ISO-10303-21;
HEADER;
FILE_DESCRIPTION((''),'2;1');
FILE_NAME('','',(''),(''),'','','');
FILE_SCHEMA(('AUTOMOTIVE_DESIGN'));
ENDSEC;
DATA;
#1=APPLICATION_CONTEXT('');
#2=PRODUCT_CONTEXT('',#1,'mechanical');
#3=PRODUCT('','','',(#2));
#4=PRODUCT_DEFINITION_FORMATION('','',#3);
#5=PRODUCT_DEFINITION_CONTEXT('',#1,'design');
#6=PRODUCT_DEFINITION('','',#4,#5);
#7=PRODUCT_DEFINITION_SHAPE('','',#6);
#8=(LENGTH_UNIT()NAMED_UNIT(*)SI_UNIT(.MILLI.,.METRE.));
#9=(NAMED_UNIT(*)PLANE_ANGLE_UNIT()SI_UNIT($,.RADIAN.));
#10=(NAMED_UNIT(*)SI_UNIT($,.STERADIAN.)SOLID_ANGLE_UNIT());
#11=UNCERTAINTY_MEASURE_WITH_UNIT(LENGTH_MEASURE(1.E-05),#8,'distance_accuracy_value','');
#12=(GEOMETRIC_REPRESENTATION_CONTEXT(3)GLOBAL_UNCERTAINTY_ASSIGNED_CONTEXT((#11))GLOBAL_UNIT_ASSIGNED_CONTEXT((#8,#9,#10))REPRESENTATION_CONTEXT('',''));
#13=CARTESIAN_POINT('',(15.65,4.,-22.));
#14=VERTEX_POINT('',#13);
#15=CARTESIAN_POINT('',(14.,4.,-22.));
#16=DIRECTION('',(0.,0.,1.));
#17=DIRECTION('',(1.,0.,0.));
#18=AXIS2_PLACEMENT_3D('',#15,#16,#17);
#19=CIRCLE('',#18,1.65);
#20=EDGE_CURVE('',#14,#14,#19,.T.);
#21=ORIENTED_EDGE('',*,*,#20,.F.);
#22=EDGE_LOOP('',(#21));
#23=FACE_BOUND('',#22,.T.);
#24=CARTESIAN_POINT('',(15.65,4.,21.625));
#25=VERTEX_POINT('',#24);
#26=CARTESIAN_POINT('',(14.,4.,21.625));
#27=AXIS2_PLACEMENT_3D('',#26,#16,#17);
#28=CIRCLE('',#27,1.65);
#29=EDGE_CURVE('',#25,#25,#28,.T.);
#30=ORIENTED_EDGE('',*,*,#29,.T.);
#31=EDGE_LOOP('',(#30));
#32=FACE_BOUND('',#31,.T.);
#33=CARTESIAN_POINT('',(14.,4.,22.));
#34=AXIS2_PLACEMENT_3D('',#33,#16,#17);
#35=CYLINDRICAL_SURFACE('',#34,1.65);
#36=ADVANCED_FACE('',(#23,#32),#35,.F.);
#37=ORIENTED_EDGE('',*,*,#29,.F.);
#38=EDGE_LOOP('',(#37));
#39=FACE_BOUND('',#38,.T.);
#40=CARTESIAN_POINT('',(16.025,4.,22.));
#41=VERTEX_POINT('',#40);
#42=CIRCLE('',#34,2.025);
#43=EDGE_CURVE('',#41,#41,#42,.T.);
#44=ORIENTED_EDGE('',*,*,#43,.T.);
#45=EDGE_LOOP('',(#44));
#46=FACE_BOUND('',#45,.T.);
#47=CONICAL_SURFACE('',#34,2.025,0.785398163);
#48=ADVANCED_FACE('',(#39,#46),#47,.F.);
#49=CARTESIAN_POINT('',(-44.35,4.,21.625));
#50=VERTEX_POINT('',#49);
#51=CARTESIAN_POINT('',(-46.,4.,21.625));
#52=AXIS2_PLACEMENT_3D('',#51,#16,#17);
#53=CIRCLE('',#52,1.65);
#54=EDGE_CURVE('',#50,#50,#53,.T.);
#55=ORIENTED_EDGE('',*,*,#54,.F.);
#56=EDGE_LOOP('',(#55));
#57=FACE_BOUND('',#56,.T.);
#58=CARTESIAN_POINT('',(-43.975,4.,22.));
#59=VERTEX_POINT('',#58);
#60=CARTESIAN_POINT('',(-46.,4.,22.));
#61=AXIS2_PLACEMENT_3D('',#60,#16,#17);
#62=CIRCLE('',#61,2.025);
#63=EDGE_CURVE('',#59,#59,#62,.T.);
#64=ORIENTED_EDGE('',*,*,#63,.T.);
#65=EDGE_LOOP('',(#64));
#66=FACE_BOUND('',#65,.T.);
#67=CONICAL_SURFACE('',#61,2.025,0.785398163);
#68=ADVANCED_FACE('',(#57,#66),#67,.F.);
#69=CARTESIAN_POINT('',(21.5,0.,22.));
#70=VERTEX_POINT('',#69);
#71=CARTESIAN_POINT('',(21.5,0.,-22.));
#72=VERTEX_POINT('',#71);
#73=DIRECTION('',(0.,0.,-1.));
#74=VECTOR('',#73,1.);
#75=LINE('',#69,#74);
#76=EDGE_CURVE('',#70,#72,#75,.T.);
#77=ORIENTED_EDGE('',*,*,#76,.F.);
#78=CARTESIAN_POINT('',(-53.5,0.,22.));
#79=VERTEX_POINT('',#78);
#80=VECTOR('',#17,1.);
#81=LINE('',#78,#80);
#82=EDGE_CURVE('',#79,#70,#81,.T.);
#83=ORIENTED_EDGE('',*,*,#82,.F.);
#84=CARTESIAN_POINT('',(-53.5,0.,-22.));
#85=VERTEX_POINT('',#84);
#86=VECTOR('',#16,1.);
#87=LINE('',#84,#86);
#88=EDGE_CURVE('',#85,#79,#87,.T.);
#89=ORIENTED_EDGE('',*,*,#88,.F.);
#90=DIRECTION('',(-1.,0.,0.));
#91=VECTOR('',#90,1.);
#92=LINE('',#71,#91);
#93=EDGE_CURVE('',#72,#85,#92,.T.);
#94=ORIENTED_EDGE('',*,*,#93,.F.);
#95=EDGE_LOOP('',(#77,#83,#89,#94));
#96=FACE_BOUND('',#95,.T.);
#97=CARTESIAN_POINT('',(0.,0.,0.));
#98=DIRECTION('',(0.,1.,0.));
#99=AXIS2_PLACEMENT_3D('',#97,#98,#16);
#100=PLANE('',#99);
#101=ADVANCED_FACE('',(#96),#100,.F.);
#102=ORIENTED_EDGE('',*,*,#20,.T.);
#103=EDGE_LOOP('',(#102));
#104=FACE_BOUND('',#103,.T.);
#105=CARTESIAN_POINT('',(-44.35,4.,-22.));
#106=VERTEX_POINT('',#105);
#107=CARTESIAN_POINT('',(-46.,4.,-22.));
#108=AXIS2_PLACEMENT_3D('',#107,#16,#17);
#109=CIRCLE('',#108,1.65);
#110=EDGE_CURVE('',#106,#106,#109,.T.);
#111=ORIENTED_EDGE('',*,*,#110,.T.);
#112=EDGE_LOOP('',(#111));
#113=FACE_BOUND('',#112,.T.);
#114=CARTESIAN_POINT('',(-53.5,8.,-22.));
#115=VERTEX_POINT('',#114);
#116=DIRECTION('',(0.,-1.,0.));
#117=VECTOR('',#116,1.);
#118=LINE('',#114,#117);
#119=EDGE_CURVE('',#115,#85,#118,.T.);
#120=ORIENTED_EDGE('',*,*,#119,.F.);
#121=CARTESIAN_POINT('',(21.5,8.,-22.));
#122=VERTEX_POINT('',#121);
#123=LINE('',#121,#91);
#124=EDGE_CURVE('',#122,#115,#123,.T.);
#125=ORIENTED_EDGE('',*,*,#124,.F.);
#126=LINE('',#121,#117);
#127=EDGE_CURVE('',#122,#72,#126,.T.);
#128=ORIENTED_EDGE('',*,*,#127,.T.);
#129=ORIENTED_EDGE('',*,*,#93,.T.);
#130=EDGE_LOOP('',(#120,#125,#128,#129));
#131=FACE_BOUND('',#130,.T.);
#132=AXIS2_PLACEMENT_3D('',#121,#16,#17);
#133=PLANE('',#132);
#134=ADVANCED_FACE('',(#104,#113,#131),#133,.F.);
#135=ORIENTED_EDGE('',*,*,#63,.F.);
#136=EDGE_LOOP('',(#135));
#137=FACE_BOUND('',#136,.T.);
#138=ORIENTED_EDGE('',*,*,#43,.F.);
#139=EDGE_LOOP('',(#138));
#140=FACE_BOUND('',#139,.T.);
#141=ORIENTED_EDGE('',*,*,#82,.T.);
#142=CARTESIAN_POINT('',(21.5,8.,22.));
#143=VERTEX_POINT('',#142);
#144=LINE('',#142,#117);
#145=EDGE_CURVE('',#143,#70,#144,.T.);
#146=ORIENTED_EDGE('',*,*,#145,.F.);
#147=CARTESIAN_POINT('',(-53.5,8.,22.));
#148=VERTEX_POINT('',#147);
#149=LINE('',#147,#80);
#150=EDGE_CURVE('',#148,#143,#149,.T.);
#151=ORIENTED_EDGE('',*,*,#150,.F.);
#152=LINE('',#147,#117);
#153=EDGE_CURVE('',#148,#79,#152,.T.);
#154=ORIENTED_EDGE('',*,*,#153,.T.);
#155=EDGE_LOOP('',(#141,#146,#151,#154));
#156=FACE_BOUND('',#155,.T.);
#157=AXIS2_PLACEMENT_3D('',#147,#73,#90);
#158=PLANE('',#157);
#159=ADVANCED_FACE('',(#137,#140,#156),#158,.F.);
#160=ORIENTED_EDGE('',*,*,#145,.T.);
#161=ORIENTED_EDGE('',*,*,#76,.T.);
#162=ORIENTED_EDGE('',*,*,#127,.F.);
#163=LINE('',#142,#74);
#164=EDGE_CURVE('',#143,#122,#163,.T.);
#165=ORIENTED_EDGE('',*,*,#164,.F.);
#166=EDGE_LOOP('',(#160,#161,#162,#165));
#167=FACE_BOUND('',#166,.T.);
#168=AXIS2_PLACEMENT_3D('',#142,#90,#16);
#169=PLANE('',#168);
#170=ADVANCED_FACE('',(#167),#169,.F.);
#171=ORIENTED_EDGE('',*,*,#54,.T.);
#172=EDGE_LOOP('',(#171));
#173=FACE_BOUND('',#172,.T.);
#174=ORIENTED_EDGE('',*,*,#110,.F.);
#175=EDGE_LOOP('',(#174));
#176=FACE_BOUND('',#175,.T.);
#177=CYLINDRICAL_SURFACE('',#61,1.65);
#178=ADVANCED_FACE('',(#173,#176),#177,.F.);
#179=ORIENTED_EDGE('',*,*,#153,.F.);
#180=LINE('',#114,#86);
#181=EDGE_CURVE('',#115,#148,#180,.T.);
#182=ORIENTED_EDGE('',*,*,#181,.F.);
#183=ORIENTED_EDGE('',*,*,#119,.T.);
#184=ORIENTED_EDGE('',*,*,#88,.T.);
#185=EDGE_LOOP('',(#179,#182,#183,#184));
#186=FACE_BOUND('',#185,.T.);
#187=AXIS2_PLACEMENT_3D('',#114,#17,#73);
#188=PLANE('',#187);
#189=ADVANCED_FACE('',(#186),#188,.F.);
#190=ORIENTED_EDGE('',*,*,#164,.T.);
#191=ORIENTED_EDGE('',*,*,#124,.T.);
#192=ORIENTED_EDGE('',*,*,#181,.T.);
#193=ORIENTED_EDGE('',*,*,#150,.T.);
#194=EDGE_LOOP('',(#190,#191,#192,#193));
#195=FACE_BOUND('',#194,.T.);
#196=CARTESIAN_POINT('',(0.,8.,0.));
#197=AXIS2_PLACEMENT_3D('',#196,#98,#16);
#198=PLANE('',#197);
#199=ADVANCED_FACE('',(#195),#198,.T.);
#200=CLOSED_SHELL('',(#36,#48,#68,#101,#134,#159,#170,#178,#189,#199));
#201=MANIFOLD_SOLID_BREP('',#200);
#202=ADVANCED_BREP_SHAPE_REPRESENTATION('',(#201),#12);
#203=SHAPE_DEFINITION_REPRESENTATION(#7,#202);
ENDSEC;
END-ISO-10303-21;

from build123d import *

# Parameters (mm, degrees)
SKETCH1_W                       = 75
SKETCH1_H                       = 44
BOSS_EXTRUDE2_DEPTH             = 8
M4X0_7_TAPPED_HOLE2_D           = 3.3
M4X0_7_TAPPED_HOLE2_CSINK_D     = 4.05
M4X0_7_TAPPED_HOLE2_CSINK_ANGLE = 90


with BuildPart() as part:
    # Sketch1 → Boss-Extrude2 (new body)
    with BuildSketch(Plane(origin=(0, 0, 0), x_dir=(1, 0, 0), z_dir=(0, 1, 0))):
        with Locations((-16, 0)):
            Rectangle(SKETCH1_W, SKETCH1_H)
    extrude(amount=BOSS_EXTRUDE2_DEPTH)

    # M4x0.7 Tapped Hole2 (through all)
    with Locations(Plane.XY.offset(22)):
        with Locations((-46, 4), (14, 4)):
            CounterSinkHole(M4X0_7_TAPPED_HOLE2_D / 2, M4X0_7_TAPPED_HOLE2_CSINK_D / 2, counter_sink_angle=M4X0_7_TAPPED_HOLE2_CSINK_ANGLE)


solid = part.part
